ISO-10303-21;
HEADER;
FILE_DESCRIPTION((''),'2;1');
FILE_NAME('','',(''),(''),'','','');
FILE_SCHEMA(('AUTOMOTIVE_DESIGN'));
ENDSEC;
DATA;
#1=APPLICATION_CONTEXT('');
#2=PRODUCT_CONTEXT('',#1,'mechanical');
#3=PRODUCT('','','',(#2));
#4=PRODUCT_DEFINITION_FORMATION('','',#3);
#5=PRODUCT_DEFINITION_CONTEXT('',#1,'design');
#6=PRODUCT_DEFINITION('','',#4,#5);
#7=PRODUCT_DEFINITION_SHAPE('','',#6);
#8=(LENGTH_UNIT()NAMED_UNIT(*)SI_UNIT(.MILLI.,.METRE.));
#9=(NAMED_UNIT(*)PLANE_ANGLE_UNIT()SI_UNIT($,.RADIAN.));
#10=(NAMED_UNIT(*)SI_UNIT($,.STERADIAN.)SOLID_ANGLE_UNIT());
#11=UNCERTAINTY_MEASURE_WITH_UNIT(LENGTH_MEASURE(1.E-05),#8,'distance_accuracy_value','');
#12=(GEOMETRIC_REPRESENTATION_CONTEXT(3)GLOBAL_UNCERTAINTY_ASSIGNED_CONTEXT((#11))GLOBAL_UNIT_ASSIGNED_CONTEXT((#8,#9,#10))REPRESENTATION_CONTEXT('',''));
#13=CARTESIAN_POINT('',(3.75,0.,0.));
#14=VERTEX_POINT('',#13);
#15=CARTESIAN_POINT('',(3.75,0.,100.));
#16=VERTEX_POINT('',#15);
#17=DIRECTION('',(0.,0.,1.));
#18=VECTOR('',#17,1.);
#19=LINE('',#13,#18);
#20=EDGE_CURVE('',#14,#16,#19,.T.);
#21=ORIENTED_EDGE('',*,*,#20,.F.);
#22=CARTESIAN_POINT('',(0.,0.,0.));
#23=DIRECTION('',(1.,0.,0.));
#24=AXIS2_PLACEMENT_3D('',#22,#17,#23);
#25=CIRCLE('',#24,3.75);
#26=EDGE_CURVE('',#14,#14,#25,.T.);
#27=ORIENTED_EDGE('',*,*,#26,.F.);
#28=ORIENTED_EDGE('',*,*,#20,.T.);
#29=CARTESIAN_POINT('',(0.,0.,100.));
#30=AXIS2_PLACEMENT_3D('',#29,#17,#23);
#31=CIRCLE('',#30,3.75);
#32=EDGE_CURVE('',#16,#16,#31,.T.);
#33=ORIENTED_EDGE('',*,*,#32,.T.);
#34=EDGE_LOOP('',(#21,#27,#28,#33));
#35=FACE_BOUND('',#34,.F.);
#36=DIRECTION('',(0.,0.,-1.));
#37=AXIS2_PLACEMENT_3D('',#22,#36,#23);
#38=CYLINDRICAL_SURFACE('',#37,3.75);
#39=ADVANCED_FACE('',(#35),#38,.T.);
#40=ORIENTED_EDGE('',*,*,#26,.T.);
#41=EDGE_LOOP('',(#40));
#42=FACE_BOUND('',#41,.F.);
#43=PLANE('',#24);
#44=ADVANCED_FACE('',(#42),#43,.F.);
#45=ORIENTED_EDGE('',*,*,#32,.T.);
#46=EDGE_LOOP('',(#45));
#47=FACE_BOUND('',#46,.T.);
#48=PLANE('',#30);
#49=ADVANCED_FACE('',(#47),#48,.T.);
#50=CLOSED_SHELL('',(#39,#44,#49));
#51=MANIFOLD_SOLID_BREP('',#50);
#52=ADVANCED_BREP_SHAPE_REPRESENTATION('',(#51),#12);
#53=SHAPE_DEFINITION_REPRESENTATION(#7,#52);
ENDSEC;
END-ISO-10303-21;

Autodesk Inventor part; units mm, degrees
ref_plane "YZ Plane" through (0, 0, 0) normal (1, 0, 0) x (0, 1, 0)
ref_plane "XZ Plane" through (0, 0, 0) normal (0, 1, 0) x (-1, 0, 0)
ref_plane "XY Plane" through (0, 0, 0) normal (0, 0, 1) x (1, 0, 0)
sketch "Sketch2" plane through (0, 0, 0) normal (0, 0, 1) x (1, 0, 0)
  circle A0 centre (0, 0) radius 3.75
  dimension "d2" = 7.5
extrude "Extrusion1" add sketch "Sketch2" along normal blind 100
equation "\"d2\" = R"
equation "\"R\" = 7.5"
equation "\"thickness\" = 5"
